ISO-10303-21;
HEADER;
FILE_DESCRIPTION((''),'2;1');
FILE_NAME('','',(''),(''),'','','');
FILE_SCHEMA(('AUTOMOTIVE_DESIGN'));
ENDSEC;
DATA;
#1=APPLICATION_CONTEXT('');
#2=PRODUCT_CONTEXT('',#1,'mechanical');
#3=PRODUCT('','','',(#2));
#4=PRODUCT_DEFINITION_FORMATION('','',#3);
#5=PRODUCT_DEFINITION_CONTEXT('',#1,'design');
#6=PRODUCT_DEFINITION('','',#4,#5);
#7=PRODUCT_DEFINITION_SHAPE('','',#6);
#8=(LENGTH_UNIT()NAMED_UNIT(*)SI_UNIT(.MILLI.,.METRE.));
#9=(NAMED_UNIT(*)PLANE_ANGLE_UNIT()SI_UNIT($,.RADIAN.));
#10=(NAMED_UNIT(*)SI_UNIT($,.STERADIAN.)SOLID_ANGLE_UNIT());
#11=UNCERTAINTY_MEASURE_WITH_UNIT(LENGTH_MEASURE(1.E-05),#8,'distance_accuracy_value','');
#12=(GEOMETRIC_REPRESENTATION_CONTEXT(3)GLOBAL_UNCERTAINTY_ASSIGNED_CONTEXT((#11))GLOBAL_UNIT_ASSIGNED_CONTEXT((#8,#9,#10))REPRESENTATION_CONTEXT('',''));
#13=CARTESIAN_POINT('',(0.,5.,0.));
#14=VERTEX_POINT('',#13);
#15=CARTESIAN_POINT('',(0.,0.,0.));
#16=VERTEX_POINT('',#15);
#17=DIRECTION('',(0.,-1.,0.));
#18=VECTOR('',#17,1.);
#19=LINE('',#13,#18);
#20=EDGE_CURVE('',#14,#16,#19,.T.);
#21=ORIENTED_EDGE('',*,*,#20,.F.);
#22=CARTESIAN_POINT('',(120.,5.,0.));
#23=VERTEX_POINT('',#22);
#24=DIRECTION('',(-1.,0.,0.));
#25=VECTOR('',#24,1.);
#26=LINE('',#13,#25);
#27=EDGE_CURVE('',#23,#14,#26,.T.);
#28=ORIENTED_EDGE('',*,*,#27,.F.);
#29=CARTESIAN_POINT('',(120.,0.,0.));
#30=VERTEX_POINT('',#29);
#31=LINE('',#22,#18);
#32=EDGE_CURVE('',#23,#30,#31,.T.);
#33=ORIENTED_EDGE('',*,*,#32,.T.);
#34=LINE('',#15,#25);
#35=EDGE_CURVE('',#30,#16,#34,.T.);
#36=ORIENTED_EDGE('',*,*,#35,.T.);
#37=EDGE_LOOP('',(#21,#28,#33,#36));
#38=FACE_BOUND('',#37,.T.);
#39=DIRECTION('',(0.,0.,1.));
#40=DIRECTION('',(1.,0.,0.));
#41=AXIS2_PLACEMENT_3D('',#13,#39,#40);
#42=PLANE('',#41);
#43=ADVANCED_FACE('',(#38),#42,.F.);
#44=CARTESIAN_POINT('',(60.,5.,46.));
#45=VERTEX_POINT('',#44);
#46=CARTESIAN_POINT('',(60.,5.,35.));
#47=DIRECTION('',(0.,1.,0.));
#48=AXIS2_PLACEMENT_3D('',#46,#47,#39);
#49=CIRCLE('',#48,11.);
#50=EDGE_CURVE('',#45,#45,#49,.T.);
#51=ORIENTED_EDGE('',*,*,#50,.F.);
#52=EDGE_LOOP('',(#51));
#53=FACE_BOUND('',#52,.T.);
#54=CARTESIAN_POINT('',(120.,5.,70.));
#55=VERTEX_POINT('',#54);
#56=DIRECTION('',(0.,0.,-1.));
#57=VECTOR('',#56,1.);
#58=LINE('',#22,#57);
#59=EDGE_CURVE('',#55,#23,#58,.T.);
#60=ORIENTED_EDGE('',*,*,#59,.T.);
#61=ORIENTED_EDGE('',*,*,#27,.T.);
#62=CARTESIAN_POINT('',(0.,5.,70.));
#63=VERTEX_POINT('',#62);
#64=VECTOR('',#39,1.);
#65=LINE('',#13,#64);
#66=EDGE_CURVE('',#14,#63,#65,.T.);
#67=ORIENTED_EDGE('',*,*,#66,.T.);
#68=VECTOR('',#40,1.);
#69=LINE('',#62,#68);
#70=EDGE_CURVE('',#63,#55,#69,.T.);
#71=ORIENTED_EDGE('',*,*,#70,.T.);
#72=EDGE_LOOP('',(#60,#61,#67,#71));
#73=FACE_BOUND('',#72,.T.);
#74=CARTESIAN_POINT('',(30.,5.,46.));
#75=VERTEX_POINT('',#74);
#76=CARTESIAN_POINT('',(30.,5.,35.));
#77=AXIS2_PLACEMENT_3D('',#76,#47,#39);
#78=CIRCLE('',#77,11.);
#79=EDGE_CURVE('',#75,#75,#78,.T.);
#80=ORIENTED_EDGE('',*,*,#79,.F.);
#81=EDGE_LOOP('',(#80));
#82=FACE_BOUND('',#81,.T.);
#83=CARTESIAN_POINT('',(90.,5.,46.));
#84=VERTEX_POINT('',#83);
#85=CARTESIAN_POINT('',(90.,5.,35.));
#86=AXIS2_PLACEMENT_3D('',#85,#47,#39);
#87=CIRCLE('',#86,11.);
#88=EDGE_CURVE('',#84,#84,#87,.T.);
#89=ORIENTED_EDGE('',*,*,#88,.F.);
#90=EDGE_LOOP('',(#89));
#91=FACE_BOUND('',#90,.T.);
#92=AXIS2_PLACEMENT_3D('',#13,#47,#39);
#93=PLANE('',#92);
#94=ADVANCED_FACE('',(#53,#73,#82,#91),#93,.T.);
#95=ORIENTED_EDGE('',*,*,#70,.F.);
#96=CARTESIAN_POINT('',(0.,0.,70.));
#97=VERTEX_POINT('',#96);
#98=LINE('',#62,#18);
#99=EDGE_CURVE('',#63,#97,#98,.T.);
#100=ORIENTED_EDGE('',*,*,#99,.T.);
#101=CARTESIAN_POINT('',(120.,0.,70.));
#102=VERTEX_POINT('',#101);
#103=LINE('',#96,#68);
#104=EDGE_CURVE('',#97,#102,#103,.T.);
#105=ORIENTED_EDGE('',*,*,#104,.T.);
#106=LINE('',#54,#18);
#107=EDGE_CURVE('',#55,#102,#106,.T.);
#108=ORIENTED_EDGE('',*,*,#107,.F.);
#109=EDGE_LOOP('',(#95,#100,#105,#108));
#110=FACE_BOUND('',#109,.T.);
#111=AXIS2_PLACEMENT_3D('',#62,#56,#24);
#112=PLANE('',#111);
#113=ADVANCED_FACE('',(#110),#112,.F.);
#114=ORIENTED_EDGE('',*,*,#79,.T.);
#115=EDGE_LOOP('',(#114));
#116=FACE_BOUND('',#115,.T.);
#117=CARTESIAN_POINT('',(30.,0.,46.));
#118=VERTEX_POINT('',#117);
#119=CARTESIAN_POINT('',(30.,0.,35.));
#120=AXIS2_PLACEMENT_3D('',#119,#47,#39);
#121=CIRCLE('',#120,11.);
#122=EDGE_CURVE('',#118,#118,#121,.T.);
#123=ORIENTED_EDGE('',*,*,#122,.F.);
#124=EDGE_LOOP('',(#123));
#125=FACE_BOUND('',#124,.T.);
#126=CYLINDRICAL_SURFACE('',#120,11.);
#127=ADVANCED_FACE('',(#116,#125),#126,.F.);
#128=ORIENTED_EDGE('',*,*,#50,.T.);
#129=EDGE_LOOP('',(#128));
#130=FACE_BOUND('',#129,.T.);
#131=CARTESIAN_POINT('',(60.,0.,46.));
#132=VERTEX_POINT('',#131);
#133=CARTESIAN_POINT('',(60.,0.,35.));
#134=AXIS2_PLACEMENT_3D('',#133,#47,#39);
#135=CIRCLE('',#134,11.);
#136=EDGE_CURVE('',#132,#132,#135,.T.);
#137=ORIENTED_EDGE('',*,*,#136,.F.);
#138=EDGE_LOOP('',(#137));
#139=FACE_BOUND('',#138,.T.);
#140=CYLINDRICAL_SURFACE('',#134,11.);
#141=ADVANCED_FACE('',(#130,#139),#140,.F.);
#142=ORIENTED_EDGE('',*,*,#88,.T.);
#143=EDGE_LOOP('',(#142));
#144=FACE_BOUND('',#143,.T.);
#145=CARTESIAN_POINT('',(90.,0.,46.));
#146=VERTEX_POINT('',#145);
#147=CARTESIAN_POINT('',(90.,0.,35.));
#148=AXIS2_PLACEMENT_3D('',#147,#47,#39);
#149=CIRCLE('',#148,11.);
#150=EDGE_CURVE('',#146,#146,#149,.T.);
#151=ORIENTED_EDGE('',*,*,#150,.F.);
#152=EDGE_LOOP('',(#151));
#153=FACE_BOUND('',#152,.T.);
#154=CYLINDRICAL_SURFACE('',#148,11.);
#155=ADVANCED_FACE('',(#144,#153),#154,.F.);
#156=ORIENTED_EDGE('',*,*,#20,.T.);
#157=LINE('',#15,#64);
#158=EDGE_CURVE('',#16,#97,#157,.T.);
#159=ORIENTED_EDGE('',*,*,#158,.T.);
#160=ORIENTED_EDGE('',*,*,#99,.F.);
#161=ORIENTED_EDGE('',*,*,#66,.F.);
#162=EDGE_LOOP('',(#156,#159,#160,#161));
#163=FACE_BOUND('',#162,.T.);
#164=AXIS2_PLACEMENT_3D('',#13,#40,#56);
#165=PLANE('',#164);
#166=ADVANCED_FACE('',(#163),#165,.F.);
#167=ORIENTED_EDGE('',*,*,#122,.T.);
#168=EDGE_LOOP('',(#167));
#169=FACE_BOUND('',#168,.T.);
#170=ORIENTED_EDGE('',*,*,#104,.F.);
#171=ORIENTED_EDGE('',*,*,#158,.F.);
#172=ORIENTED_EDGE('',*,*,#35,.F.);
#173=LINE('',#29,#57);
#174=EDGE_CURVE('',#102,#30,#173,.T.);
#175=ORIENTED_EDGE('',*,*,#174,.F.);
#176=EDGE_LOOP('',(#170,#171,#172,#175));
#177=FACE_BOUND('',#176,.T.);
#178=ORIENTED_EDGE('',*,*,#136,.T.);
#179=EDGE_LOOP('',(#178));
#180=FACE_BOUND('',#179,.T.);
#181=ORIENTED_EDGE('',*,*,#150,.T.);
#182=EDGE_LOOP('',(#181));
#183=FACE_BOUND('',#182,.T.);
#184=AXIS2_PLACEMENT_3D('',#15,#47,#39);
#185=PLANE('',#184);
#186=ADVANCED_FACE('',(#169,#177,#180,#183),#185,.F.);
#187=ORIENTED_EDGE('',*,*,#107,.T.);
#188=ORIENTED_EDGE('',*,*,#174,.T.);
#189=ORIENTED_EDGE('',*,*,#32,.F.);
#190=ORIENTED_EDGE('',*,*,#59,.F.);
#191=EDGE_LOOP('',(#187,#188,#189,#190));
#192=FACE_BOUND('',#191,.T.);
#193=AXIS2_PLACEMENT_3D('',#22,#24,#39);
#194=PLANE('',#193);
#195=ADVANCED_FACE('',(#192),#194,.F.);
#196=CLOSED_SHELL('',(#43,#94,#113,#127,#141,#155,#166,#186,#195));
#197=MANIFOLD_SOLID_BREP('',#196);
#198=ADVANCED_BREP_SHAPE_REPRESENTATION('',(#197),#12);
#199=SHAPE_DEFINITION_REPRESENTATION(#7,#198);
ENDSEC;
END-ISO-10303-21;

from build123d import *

# Parameters (mm, degrees)
SKETCH1_W           = 120
SKETCH1_H           = 70
BOSS_EXTRUDE1_DEPTH = 5
SKETCH2_R           = 11
CUT_EXTRUDE1_DEPTH  = 140.014387745


with BuildPart() as part:
    # Sketch1 → Boss-Extrude1 (new body)
    with BuildSketch(Plane(origin=(0, 0, 0), x_dir=(1, 0, 0), z_dir=(0, 1, 0))):
        with Locations((60, -35)):
            Rectangle(SKETCH1_W, SKETCH1_H)
    extrude(amount=BOSS_EXTRUDE1_DEPTH)

    # Sketch2 → Cut-Extrude1 (cut, through all)
    with BuildSketch(Plane(origin=(0, 5, 0), x_dir=(1, 0, 0), z_dir=(0, 1, 0))):
        with Locations(Location((30, -35, 0), (0, 0, 270))):
            Circle(SKETCH2_R)
        with Locations(Location((60, -35, 0), (0, 0, 270))):
            Circle(SKETCH2_R)
        with Locations(Location((90, -35, 0), (0, 0, 270))):
            Circle(SKETCH2_R)
    extrude(amount=-CUT_EXTRUDE1_DEPTH, mode=Mode.SUBTRACT)


solid = part.part
